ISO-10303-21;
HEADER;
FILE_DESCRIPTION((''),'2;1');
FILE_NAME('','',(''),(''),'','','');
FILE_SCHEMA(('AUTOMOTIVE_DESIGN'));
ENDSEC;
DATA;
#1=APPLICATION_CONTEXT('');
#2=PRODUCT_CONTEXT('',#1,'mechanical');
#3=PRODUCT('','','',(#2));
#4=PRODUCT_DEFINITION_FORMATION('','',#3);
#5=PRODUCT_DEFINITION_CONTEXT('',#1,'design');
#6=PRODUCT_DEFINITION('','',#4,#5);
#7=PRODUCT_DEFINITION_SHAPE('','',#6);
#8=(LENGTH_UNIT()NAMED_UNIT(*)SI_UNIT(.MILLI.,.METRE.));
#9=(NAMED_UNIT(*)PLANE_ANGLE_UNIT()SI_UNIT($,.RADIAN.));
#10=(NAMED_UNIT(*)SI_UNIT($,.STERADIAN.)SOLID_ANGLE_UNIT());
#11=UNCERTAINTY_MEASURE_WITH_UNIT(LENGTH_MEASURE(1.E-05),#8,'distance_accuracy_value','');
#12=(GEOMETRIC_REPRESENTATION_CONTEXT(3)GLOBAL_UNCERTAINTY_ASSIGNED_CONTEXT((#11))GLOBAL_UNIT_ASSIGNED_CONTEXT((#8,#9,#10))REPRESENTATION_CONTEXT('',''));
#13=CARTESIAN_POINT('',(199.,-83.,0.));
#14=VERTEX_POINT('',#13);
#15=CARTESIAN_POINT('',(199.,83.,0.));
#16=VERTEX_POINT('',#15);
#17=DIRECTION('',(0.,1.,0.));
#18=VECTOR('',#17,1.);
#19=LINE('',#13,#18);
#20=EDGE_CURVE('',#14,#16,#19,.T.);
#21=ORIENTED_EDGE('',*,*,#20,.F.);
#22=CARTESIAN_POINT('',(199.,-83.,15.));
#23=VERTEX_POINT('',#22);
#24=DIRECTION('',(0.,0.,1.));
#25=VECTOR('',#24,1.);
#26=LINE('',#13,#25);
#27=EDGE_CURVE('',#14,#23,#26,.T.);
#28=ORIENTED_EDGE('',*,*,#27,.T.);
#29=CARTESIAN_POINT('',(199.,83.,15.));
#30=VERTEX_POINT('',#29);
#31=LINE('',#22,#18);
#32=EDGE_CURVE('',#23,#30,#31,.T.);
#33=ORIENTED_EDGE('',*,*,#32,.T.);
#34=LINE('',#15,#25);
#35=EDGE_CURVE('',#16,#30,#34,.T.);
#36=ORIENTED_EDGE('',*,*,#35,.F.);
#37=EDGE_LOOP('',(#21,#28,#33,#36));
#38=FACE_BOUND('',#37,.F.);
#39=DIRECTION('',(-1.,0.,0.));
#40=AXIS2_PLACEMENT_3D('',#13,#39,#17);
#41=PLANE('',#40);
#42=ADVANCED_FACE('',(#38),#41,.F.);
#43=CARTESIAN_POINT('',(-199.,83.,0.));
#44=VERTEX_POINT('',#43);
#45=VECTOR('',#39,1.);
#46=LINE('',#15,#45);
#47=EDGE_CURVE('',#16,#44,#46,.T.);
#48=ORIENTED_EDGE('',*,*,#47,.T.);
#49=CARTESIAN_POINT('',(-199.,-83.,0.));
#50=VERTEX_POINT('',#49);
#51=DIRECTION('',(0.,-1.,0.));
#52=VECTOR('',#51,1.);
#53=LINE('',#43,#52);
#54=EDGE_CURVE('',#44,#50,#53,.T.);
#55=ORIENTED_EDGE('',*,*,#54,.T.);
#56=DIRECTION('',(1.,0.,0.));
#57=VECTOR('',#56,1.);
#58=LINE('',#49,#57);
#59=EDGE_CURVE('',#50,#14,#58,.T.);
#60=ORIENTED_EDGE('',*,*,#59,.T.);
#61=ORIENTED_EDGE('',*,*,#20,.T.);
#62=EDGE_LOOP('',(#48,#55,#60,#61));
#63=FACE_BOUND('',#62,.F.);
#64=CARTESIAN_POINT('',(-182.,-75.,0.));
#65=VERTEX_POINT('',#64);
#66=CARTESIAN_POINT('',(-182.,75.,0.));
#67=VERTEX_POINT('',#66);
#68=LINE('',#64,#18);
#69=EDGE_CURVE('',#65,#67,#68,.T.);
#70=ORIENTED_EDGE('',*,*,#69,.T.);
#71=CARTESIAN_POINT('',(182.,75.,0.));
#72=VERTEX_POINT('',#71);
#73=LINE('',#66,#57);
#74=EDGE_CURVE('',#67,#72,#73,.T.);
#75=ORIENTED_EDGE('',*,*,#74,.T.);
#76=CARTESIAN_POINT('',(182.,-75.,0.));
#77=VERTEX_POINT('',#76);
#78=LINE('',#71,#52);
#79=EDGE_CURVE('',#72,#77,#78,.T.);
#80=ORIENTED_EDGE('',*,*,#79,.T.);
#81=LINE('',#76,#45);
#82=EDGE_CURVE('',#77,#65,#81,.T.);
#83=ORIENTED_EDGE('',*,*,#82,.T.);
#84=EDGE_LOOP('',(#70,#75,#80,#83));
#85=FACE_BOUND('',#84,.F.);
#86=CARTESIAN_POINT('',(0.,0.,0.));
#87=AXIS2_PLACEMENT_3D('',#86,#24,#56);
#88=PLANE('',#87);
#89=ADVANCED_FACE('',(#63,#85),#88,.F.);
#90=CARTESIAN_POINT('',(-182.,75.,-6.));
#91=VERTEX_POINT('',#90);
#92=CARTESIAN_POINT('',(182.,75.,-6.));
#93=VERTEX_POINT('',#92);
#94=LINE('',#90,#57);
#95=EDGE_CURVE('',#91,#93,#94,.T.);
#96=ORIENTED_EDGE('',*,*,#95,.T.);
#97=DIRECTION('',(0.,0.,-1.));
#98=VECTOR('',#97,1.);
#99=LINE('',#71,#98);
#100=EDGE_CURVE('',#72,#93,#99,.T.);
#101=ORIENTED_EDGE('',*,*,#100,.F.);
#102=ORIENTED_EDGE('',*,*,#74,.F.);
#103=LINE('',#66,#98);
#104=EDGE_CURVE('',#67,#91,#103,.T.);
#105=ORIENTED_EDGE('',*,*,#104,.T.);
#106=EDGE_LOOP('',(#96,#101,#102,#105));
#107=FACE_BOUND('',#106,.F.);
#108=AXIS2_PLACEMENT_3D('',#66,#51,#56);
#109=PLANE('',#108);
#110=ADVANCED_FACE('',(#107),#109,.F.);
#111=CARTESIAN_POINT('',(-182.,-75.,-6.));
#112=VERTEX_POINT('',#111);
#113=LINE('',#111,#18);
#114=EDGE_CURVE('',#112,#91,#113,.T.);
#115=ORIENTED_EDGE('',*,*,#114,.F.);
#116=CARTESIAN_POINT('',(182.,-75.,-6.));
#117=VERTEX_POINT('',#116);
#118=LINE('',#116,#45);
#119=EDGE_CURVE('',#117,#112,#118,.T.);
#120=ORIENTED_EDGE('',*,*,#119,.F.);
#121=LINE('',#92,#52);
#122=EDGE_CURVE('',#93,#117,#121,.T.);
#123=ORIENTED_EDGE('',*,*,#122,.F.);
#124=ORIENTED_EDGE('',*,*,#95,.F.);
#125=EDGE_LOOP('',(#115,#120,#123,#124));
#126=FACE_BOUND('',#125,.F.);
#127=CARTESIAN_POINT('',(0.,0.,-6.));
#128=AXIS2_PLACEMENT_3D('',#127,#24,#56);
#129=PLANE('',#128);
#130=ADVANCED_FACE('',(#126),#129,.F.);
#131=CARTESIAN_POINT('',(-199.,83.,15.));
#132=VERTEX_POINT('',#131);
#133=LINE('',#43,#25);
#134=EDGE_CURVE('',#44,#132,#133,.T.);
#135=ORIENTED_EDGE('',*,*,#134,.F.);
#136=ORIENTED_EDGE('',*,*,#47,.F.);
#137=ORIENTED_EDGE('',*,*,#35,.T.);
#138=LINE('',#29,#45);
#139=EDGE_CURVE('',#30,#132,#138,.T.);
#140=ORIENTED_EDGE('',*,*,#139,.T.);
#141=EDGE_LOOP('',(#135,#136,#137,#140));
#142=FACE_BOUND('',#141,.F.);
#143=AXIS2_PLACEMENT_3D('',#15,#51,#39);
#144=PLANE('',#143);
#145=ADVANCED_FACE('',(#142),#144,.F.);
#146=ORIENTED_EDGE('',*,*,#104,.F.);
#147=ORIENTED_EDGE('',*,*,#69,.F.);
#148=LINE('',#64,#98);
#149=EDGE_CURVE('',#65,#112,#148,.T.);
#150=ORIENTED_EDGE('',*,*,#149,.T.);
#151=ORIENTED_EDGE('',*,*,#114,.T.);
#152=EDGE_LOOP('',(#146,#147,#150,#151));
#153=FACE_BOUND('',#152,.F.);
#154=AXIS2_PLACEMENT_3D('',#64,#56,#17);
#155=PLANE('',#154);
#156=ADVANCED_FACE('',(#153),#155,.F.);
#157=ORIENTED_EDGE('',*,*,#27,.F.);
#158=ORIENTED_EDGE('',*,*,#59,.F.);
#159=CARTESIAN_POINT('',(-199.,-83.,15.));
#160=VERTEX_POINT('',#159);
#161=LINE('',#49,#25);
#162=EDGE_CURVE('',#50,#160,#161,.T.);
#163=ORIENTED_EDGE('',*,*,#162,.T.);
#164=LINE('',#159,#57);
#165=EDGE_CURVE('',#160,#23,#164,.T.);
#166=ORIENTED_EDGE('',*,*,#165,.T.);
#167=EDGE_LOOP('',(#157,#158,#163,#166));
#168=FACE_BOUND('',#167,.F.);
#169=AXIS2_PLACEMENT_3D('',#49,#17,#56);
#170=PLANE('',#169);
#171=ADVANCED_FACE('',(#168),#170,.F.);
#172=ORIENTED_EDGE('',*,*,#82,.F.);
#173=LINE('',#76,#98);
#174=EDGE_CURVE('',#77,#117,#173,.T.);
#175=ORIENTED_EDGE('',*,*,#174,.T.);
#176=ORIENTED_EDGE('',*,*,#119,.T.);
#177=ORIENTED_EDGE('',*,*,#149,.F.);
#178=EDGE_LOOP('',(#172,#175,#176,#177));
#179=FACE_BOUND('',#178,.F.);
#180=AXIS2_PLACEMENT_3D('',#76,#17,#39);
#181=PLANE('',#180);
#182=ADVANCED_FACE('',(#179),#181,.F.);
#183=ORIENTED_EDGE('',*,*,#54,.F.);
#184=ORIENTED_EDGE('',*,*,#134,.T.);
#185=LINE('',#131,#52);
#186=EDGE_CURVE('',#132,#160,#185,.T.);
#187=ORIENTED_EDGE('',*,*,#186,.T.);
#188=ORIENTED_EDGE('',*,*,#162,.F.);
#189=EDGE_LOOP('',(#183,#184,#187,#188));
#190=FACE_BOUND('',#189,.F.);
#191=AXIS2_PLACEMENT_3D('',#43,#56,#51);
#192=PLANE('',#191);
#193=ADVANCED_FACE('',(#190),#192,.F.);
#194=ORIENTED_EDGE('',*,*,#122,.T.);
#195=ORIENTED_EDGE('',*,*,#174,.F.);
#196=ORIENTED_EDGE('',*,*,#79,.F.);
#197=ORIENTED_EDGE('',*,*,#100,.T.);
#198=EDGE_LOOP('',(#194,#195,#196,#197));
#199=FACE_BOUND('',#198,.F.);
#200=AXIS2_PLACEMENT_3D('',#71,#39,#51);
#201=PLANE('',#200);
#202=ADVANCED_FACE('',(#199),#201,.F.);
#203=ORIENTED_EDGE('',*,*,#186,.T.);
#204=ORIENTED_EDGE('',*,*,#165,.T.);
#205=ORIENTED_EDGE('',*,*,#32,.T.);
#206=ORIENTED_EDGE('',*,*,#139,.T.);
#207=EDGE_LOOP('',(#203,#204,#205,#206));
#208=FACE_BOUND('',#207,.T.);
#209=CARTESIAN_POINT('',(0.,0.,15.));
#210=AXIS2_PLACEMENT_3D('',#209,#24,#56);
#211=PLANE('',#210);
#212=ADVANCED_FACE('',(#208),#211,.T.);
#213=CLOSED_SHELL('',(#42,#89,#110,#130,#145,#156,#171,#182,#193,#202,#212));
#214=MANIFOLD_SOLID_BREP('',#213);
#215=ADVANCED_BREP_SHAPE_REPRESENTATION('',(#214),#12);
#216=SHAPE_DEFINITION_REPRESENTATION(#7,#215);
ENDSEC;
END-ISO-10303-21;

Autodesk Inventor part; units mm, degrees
ref_plane "YZ Plane" through (0, 0, 0) normal (1, 0, 0) x (0, 1, 0)
ref_plane "XZ Plane" through (0, 0, 0) normal (0, 1, 0) x (-1, 0, 0)
ref_plane "XY Plane" through (0, 0, 0) normal (0, 0, 1) x (1, 0, 0)
sketch "Skizze1" plane through (0, 0, 0) normal (0, 0, 1) x (1, 0, 0)
  line L0 (-199, -83) -> (199, -83)
  line L1 (199, -83) -> (199, 83)
  line L2 (199, 83) -> (-199, 83)
  line L3 (-199, 83) -> (-199, -83)
  line L4 (-199, -83) -> (199, 83) construction
  line L5 (199, -83) -> (-199, 83) construction
  line L6 (182, -75) -> (-182, -75)
  line L7 (-182, -75) -> (-182, 75)
  line L8 (-182, 75) -> (182, 75)
  line L9 (182, 75) -> (182, -75)
  line L10 (182, -75) -> (-182, 75) construction
  line L11 (-182, -75) -> (182, 75) construction
  point P0 (0, 0)
  dimension "d0" = 398
  dimension "d1" = 166
  dimension "d2" = 8
  dimension "d3" = 17
extrude "Extrusion1" add sketch "Skizze1" along normal blind 15 contours L3 L2 L1 L0 | L6 L7 L8 L9
extrude "Extrusion2" add sketch "Skizze1" against normal blind 6 contours L6 L7 L8 L9
equation "\"d0\" = case_width - 2 * gap_air"
equation "\"d4\" = inner_thickness"
equation "\"d6\" = mdf_thickness"
equation "\"kg_thickness\" = 4.9"
equation "\"ht_thickness\" = 1.9"
equation "\"case_thickness\" = 18"
equation "\"inner_thickness\" = 15"
equation "\"gap_fit\" = 0.1"
equation "\"gap_slide\" = 0.2"
equation "\"gap_air\" = 1"
equation "\"bore_diameter\" = 73"
equation "\"mdf_thickness\" = 6"
equation "\"tape_width\" = 15"
equation "\"tape_thickness\" = 3"
equation "\"inner_depth\" = 255"
equation "\"case_width\" = 400"
properties part number "Front_Fach"
